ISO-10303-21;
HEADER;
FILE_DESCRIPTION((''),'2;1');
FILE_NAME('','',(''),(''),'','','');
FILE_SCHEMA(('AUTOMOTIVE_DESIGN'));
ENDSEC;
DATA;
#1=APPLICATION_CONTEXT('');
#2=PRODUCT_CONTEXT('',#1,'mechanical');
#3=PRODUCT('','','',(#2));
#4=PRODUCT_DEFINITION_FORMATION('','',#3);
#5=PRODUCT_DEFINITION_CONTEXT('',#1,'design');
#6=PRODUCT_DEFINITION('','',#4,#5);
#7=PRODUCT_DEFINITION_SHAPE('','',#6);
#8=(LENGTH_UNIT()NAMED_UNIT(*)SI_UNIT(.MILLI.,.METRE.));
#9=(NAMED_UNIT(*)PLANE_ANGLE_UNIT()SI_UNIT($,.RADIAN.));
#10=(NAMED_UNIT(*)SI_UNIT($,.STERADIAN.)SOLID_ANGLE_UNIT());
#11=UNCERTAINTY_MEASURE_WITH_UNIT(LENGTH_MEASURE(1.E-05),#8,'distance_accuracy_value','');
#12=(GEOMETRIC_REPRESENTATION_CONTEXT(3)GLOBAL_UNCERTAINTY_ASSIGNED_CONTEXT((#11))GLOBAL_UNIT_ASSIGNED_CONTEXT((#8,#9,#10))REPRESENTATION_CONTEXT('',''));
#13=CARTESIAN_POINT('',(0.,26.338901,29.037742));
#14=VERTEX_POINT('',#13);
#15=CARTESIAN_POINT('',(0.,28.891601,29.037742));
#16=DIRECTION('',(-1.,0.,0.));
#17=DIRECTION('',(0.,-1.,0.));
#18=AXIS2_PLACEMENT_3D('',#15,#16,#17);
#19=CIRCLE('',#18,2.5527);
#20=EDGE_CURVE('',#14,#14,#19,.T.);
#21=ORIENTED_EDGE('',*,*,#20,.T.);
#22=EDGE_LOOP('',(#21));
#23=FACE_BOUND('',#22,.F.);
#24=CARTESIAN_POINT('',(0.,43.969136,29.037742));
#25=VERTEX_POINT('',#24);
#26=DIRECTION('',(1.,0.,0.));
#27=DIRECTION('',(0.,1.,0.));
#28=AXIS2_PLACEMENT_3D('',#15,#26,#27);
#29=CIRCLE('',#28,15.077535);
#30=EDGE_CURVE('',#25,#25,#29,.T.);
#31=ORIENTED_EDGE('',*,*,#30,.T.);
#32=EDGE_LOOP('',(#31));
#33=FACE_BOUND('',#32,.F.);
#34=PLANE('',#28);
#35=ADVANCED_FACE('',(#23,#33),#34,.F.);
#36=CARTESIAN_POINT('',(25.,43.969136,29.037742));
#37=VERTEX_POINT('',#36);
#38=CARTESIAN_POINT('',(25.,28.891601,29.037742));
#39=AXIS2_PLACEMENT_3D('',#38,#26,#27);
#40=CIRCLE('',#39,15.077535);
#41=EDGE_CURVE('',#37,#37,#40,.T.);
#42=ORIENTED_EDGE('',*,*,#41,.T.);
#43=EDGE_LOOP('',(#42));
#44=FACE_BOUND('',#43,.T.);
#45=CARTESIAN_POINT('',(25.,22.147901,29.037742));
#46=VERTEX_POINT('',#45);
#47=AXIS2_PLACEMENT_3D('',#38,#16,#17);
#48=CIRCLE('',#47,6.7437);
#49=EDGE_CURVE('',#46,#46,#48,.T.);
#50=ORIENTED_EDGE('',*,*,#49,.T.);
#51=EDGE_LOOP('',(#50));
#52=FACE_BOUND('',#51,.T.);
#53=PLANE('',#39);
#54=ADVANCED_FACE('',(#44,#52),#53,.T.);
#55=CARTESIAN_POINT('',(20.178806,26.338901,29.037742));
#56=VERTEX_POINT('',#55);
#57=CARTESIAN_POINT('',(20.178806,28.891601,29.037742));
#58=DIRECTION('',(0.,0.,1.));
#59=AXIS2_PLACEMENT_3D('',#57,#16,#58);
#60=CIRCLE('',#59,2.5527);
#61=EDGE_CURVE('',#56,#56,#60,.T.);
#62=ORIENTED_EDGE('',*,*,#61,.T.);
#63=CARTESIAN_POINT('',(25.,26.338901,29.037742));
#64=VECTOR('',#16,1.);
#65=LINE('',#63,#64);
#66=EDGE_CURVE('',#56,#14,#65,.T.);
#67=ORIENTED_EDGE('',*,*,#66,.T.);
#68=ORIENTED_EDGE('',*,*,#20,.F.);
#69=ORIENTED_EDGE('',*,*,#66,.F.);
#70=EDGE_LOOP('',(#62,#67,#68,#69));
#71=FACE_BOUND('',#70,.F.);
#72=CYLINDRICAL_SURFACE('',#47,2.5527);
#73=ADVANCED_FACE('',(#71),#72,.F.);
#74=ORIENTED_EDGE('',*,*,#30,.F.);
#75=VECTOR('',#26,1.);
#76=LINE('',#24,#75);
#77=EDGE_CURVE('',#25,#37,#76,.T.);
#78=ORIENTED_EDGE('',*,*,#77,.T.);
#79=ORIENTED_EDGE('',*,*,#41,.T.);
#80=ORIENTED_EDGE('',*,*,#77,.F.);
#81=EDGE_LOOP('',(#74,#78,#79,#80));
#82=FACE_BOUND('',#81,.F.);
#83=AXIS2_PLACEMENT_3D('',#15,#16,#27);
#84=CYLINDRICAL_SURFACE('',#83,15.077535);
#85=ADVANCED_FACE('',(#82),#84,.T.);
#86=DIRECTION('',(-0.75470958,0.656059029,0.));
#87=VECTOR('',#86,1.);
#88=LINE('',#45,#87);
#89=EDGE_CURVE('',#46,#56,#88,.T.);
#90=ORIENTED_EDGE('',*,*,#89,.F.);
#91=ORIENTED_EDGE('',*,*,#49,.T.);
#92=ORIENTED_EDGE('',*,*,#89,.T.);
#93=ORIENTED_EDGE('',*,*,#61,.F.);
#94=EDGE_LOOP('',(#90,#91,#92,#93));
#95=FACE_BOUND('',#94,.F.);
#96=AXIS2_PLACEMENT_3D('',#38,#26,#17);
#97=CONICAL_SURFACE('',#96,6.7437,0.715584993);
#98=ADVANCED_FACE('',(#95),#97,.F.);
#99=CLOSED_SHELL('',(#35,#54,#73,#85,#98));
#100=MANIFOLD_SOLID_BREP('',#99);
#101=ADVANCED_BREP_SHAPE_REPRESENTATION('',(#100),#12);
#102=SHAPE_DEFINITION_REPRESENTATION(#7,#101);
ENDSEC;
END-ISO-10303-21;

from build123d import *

# Parameters (mm, degrees)
F0_R           = 15.0775348958
F1_DEPTH       = 25
F3_D           = 5.1054
F3_CSINK_D     = 13.4874
F3_CSINK_ANGLE = 82


with BuildPart() as f1:
    # F0 (on Right) → F1 (new body)
    with BuildSketch(Plane.YZ):
        with Locations((28.8916006684, 29.0377419442)):
            Circle(F0_R)
    extrude(amount=F1_DEPTH)

    # F3 (through all)
    with Locations(Plane.YZ.offset(25)):
        with Locations((28.8916006684, 29.0377419442)):
            CounterSinkHole(F3_D / 2, F3_CSINK_D / 2, counter_sink_angle=F3_CSINK_ANGLE)


solid = f1.part
